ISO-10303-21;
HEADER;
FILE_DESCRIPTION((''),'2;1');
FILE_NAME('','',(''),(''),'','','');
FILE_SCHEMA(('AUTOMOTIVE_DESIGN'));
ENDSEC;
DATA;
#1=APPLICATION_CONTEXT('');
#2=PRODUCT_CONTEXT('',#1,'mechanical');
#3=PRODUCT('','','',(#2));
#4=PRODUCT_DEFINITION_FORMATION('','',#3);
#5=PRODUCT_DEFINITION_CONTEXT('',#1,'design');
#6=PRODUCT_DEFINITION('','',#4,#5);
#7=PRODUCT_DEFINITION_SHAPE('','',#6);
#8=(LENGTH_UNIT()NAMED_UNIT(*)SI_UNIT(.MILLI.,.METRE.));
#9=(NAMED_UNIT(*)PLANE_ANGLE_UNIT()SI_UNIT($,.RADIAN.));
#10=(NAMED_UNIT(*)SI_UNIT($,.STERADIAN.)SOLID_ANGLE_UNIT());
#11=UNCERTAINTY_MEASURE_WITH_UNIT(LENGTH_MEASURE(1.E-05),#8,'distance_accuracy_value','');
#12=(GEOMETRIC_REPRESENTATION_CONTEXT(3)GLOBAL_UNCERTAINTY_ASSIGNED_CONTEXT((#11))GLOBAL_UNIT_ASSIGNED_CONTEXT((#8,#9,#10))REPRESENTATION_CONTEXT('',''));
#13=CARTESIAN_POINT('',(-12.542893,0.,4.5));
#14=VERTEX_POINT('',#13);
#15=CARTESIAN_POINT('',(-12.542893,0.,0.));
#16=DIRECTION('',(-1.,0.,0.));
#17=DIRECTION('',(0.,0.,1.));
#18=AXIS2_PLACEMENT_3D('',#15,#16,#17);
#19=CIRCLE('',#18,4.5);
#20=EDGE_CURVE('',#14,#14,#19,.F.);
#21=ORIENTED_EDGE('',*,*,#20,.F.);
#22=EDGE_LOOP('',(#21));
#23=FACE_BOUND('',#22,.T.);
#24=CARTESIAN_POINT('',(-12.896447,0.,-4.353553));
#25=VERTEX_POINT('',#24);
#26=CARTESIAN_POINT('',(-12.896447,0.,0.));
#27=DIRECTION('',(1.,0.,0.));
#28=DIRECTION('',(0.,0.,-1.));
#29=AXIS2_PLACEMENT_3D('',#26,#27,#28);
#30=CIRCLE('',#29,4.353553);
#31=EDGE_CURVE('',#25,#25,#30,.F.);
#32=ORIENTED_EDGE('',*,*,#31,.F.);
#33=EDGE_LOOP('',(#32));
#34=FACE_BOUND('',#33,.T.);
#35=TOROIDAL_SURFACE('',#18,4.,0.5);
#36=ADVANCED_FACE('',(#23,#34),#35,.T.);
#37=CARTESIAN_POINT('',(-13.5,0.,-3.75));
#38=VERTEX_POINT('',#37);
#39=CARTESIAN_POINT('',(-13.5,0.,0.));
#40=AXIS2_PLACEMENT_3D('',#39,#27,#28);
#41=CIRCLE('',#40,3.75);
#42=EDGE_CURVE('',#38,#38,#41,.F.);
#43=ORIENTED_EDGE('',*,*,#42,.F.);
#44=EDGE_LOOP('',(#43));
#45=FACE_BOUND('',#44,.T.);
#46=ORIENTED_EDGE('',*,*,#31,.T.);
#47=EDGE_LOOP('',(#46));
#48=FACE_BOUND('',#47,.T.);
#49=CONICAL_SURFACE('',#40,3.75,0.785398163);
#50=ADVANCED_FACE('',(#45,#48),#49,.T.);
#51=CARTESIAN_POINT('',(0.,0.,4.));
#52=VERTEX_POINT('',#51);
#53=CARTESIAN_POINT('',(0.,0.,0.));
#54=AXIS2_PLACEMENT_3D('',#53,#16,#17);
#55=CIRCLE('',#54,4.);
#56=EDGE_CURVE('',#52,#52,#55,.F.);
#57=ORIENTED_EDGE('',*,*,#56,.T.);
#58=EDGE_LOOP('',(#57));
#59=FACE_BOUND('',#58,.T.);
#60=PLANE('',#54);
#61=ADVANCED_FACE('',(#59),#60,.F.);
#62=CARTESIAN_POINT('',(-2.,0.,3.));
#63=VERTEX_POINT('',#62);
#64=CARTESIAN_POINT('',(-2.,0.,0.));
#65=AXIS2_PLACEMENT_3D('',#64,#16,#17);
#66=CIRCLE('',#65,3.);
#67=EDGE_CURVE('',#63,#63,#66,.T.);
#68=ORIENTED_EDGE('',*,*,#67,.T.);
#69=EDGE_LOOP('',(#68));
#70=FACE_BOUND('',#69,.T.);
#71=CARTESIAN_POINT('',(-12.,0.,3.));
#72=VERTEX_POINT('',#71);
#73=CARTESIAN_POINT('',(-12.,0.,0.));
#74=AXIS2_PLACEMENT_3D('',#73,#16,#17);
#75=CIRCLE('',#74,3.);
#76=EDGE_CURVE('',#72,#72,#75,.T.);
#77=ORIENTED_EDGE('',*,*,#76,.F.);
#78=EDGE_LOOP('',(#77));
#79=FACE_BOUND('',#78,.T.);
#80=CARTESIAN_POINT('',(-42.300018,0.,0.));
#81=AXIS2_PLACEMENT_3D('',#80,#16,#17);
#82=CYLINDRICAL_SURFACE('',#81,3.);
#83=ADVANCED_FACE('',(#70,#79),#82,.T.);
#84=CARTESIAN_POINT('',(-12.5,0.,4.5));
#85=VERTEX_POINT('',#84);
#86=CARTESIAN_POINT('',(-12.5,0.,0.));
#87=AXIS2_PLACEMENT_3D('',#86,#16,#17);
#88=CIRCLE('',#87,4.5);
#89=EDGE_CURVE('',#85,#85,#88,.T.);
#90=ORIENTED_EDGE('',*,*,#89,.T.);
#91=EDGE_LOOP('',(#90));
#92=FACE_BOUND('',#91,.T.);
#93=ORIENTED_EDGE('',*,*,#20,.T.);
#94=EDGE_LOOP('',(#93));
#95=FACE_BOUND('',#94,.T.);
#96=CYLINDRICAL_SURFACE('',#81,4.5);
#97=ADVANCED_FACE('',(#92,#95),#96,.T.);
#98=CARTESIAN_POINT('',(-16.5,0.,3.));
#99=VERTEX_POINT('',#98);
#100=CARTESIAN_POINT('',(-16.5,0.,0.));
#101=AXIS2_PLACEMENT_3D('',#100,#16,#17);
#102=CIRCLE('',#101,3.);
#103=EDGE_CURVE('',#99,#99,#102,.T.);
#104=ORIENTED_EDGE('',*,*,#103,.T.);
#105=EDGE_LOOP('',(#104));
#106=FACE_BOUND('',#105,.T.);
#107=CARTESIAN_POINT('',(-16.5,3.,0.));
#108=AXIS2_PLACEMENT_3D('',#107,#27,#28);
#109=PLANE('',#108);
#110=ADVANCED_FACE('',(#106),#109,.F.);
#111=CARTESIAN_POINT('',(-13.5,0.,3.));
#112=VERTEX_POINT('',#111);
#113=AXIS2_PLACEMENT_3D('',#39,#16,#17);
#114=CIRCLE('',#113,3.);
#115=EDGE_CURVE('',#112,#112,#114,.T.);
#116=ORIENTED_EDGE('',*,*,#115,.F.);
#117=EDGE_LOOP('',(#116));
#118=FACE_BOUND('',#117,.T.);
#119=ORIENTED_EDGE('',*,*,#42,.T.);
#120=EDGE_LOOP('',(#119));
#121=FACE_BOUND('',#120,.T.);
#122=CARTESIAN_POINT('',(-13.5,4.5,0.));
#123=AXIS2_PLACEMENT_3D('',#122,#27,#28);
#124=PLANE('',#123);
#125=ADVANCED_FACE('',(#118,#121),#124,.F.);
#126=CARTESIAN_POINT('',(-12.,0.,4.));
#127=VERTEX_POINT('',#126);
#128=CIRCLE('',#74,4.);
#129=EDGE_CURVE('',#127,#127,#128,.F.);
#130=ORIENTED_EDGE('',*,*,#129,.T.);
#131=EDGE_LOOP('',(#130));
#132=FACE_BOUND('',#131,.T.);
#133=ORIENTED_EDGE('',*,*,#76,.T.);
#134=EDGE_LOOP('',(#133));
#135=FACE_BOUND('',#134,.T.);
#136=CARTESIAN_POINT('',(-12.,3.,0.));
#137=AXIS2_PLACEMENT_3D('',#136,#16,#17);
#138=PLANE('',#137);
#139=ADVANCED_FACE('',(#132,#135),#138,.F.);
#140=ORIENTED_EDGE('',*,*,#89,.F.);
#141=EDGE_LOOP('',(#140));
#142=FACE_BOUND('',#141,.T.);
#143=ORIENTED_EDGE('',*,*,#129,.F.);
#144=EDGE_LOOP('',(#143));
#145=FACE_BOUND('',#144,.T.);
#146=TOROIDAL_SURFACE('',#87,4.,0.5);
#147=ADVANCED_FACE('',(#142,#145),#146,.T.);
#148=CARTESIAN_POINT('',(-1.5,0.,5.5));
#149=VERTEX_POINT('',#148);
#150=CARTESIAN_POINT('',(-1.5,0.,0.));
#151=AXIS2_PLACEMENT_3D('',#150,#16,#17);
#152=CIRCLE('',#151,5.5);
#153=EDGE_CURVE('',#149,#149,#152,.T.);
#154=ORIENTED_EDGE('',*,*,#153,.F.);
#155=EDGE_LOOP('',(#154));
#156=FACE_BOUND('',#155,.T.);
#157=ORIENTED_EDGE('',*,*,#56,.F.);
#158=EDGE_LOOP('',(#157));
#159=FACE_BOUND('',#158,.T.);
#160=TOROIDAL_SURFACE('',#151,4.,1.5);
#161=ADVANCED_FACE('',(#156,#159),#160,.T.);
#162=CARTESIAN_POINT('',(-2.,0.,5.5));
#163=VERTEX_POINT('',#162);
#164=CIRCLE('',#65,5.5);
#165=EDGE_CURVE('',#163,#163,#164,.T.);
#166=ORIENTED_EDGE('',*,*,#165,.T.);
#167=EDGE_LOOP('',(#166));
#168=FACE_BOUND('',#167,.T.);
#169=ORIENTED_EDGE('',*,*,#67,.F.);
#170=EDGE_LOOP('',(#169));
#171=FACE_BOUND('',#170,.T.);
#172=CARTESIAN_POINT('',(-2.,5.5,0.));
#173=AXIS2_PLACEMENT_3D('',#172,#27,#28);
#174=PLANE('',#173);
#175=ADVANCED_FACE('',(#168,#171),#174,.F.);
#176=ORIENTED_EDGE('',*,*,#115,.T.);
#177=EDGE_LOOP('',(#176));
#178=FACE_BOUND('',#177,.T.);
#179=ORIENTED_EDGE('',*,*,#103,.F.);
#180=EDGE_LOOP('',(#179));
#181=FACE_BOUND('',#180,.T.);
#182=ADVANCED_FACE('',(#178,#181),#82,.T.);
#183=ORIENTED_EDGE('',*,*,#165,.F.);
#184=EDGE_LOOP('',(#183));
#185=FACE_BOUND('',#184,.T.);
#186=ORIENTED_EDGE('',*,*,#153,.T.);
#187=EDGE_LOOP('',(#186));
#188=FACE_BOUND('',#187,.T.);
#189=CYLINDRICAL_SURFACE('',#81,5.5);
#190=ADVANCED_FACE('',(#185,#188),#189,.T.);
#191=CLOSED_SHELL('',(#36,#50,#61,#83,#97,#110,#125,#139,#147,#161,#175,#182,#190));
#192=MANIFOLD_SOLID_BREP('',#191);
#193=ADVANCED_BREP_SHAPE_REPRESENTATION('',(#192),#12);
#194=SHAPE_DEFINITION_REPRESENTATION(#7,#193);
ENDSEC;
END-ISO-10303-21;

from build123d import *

# Parameters (mm, degrees)
FILLET1_R     = 1.5
CHAMFER1_SIZE = 0.75
FILLET2_R     = 0.5


with BuildPart() as part:
    # Sketch2 → Revolve1 (revolve)
    with BuildSketch(Plane.XY, mode=Mode.PRIVATE) as revolve1_sk:
        Polygon((0, 0), (0, 5.5), (-2, 5.5), (-2, 3), (-12, 3), (-12, 4.5), (-13.5, 4.5), (-13.5, 3), (-16.5, 3), (-16.5, 0), align=None)
    revolve(revolve1_sk.sketch.rotate(Axis((-42.300017882, 0, 0), (1, 0, 0)), 90), axis=Axis((-42.300017882, 0, 0), (1, 0, 0)))

    # Fillet1
    fillet1_edges = [part.edges().sort_by_distance(p)[0] for p in [
        (0, 0, -5.5),
    ]]
    fillet(fillet1_edges, radius=FILLET1_R)

    # Chamfer1
    chamfer1_edges = [part.edges().sort_by_distance(p)[0] for p in [
        (-13.5, 0, -4.5),
    ]]
    chamfer(chamfer1_edges, length=CHAMFER1_SIZE)

    # Fillet2
    fillet2_edges = [part.edges().sort_by_distance(p)[0] for p in [
        (-12.75, 0, -4.5),
        (-12, 0, -4.5),
    ]]
    fillet(fillet2_edges, radius=FILLET2_R)


solid = part.part
